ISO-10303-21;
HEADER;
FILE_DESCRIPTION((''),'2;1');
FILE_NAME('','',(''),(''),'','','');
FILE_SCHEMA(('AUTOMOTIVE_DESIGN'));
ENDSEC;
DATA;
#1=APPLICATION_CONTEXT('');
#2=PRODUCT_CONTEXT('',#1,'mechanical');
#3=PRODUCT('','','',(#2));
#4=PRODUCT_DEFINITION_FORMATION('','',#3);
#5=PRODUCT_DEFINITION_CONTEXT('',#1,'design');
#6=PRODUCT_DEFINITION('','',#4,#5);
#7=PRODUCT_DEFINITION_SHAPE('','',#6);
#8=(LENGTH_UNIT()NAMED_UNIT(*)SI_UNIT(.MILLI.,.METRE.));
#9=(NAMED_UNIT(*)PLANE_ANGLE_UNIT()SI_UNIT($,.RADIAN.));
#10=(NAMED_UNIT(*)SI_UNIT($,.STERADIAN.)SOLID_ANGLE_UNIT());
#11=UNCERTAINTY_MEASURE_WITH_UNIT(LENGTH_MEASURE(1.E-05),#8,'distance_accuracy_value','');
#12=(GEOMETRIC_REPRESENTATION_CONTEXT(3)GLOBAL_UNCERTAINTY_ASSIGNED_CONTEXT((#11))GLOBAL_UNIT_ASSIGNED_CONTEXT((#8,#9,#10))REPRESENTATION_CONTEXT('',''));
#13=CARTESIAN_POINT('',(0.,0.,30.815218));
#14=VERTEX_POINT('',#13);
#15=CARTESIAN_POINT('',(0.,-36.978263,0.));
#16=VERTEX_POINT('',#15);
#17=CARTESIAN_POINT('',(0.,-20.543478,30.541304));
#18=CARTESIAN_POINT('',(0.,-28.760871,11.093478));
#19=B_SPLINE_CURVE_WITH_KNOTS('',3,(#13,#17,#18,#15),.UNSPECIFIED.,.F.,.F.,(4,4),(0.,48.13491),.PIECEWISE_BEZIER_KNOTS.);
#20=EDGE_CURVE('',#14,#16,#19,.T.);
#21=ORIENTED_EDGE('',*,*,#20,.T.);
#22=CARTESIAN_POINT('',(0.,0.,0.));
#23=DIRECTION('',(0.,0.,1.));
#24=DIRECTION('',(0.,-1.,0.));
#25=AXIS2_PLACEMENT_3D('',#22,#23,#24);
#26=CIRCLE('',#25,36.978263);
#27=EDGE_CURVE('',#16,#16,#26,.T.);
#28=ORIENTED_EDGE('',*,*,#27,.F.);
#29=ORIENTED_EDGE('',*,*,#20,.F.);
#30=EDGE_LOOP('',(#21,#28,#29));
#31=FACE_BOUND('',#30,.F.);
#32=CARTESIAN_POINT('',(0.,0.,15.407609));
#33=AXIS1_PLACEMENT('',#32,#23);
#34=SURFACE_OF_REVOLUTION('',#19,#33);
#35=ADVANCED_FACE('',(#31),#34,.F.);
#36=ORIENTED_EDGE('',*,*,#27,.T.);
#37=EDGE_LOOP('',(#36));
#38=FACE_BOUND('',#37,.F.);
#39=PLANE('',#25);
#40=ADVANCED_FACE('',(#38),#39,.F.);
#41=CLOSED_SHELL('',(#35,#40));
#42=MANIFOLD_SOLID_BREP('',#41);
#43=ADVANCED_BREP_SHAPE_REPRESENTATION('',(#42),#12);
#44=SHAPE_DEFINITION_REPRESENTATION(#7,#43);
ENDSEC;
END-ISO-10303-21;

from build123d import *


with BuildPart() as f1:
    # F0 (on Right) → F1 (revolve)
    with BuildSketch(Plane.YZ):
        with BuildLine():
            Line((-36.978263, 0), (0, 0))
            Line((0, 0), (0, 30.815218))
            add(Edge.make_bspline(
                [(0, 30.815218), (-20.543478, 30.541304), (-28.760871, 11.093478), (-36.978263, 0)],
                knots=[0, 0, 0, 0, 48.13491, 48.13491, 48.13491, 48.13491], degree=3))
        make_face()
    revolve(axis=Axis((0, 0, 15.407609), (0, 0, 1)))


solid = f1.part
